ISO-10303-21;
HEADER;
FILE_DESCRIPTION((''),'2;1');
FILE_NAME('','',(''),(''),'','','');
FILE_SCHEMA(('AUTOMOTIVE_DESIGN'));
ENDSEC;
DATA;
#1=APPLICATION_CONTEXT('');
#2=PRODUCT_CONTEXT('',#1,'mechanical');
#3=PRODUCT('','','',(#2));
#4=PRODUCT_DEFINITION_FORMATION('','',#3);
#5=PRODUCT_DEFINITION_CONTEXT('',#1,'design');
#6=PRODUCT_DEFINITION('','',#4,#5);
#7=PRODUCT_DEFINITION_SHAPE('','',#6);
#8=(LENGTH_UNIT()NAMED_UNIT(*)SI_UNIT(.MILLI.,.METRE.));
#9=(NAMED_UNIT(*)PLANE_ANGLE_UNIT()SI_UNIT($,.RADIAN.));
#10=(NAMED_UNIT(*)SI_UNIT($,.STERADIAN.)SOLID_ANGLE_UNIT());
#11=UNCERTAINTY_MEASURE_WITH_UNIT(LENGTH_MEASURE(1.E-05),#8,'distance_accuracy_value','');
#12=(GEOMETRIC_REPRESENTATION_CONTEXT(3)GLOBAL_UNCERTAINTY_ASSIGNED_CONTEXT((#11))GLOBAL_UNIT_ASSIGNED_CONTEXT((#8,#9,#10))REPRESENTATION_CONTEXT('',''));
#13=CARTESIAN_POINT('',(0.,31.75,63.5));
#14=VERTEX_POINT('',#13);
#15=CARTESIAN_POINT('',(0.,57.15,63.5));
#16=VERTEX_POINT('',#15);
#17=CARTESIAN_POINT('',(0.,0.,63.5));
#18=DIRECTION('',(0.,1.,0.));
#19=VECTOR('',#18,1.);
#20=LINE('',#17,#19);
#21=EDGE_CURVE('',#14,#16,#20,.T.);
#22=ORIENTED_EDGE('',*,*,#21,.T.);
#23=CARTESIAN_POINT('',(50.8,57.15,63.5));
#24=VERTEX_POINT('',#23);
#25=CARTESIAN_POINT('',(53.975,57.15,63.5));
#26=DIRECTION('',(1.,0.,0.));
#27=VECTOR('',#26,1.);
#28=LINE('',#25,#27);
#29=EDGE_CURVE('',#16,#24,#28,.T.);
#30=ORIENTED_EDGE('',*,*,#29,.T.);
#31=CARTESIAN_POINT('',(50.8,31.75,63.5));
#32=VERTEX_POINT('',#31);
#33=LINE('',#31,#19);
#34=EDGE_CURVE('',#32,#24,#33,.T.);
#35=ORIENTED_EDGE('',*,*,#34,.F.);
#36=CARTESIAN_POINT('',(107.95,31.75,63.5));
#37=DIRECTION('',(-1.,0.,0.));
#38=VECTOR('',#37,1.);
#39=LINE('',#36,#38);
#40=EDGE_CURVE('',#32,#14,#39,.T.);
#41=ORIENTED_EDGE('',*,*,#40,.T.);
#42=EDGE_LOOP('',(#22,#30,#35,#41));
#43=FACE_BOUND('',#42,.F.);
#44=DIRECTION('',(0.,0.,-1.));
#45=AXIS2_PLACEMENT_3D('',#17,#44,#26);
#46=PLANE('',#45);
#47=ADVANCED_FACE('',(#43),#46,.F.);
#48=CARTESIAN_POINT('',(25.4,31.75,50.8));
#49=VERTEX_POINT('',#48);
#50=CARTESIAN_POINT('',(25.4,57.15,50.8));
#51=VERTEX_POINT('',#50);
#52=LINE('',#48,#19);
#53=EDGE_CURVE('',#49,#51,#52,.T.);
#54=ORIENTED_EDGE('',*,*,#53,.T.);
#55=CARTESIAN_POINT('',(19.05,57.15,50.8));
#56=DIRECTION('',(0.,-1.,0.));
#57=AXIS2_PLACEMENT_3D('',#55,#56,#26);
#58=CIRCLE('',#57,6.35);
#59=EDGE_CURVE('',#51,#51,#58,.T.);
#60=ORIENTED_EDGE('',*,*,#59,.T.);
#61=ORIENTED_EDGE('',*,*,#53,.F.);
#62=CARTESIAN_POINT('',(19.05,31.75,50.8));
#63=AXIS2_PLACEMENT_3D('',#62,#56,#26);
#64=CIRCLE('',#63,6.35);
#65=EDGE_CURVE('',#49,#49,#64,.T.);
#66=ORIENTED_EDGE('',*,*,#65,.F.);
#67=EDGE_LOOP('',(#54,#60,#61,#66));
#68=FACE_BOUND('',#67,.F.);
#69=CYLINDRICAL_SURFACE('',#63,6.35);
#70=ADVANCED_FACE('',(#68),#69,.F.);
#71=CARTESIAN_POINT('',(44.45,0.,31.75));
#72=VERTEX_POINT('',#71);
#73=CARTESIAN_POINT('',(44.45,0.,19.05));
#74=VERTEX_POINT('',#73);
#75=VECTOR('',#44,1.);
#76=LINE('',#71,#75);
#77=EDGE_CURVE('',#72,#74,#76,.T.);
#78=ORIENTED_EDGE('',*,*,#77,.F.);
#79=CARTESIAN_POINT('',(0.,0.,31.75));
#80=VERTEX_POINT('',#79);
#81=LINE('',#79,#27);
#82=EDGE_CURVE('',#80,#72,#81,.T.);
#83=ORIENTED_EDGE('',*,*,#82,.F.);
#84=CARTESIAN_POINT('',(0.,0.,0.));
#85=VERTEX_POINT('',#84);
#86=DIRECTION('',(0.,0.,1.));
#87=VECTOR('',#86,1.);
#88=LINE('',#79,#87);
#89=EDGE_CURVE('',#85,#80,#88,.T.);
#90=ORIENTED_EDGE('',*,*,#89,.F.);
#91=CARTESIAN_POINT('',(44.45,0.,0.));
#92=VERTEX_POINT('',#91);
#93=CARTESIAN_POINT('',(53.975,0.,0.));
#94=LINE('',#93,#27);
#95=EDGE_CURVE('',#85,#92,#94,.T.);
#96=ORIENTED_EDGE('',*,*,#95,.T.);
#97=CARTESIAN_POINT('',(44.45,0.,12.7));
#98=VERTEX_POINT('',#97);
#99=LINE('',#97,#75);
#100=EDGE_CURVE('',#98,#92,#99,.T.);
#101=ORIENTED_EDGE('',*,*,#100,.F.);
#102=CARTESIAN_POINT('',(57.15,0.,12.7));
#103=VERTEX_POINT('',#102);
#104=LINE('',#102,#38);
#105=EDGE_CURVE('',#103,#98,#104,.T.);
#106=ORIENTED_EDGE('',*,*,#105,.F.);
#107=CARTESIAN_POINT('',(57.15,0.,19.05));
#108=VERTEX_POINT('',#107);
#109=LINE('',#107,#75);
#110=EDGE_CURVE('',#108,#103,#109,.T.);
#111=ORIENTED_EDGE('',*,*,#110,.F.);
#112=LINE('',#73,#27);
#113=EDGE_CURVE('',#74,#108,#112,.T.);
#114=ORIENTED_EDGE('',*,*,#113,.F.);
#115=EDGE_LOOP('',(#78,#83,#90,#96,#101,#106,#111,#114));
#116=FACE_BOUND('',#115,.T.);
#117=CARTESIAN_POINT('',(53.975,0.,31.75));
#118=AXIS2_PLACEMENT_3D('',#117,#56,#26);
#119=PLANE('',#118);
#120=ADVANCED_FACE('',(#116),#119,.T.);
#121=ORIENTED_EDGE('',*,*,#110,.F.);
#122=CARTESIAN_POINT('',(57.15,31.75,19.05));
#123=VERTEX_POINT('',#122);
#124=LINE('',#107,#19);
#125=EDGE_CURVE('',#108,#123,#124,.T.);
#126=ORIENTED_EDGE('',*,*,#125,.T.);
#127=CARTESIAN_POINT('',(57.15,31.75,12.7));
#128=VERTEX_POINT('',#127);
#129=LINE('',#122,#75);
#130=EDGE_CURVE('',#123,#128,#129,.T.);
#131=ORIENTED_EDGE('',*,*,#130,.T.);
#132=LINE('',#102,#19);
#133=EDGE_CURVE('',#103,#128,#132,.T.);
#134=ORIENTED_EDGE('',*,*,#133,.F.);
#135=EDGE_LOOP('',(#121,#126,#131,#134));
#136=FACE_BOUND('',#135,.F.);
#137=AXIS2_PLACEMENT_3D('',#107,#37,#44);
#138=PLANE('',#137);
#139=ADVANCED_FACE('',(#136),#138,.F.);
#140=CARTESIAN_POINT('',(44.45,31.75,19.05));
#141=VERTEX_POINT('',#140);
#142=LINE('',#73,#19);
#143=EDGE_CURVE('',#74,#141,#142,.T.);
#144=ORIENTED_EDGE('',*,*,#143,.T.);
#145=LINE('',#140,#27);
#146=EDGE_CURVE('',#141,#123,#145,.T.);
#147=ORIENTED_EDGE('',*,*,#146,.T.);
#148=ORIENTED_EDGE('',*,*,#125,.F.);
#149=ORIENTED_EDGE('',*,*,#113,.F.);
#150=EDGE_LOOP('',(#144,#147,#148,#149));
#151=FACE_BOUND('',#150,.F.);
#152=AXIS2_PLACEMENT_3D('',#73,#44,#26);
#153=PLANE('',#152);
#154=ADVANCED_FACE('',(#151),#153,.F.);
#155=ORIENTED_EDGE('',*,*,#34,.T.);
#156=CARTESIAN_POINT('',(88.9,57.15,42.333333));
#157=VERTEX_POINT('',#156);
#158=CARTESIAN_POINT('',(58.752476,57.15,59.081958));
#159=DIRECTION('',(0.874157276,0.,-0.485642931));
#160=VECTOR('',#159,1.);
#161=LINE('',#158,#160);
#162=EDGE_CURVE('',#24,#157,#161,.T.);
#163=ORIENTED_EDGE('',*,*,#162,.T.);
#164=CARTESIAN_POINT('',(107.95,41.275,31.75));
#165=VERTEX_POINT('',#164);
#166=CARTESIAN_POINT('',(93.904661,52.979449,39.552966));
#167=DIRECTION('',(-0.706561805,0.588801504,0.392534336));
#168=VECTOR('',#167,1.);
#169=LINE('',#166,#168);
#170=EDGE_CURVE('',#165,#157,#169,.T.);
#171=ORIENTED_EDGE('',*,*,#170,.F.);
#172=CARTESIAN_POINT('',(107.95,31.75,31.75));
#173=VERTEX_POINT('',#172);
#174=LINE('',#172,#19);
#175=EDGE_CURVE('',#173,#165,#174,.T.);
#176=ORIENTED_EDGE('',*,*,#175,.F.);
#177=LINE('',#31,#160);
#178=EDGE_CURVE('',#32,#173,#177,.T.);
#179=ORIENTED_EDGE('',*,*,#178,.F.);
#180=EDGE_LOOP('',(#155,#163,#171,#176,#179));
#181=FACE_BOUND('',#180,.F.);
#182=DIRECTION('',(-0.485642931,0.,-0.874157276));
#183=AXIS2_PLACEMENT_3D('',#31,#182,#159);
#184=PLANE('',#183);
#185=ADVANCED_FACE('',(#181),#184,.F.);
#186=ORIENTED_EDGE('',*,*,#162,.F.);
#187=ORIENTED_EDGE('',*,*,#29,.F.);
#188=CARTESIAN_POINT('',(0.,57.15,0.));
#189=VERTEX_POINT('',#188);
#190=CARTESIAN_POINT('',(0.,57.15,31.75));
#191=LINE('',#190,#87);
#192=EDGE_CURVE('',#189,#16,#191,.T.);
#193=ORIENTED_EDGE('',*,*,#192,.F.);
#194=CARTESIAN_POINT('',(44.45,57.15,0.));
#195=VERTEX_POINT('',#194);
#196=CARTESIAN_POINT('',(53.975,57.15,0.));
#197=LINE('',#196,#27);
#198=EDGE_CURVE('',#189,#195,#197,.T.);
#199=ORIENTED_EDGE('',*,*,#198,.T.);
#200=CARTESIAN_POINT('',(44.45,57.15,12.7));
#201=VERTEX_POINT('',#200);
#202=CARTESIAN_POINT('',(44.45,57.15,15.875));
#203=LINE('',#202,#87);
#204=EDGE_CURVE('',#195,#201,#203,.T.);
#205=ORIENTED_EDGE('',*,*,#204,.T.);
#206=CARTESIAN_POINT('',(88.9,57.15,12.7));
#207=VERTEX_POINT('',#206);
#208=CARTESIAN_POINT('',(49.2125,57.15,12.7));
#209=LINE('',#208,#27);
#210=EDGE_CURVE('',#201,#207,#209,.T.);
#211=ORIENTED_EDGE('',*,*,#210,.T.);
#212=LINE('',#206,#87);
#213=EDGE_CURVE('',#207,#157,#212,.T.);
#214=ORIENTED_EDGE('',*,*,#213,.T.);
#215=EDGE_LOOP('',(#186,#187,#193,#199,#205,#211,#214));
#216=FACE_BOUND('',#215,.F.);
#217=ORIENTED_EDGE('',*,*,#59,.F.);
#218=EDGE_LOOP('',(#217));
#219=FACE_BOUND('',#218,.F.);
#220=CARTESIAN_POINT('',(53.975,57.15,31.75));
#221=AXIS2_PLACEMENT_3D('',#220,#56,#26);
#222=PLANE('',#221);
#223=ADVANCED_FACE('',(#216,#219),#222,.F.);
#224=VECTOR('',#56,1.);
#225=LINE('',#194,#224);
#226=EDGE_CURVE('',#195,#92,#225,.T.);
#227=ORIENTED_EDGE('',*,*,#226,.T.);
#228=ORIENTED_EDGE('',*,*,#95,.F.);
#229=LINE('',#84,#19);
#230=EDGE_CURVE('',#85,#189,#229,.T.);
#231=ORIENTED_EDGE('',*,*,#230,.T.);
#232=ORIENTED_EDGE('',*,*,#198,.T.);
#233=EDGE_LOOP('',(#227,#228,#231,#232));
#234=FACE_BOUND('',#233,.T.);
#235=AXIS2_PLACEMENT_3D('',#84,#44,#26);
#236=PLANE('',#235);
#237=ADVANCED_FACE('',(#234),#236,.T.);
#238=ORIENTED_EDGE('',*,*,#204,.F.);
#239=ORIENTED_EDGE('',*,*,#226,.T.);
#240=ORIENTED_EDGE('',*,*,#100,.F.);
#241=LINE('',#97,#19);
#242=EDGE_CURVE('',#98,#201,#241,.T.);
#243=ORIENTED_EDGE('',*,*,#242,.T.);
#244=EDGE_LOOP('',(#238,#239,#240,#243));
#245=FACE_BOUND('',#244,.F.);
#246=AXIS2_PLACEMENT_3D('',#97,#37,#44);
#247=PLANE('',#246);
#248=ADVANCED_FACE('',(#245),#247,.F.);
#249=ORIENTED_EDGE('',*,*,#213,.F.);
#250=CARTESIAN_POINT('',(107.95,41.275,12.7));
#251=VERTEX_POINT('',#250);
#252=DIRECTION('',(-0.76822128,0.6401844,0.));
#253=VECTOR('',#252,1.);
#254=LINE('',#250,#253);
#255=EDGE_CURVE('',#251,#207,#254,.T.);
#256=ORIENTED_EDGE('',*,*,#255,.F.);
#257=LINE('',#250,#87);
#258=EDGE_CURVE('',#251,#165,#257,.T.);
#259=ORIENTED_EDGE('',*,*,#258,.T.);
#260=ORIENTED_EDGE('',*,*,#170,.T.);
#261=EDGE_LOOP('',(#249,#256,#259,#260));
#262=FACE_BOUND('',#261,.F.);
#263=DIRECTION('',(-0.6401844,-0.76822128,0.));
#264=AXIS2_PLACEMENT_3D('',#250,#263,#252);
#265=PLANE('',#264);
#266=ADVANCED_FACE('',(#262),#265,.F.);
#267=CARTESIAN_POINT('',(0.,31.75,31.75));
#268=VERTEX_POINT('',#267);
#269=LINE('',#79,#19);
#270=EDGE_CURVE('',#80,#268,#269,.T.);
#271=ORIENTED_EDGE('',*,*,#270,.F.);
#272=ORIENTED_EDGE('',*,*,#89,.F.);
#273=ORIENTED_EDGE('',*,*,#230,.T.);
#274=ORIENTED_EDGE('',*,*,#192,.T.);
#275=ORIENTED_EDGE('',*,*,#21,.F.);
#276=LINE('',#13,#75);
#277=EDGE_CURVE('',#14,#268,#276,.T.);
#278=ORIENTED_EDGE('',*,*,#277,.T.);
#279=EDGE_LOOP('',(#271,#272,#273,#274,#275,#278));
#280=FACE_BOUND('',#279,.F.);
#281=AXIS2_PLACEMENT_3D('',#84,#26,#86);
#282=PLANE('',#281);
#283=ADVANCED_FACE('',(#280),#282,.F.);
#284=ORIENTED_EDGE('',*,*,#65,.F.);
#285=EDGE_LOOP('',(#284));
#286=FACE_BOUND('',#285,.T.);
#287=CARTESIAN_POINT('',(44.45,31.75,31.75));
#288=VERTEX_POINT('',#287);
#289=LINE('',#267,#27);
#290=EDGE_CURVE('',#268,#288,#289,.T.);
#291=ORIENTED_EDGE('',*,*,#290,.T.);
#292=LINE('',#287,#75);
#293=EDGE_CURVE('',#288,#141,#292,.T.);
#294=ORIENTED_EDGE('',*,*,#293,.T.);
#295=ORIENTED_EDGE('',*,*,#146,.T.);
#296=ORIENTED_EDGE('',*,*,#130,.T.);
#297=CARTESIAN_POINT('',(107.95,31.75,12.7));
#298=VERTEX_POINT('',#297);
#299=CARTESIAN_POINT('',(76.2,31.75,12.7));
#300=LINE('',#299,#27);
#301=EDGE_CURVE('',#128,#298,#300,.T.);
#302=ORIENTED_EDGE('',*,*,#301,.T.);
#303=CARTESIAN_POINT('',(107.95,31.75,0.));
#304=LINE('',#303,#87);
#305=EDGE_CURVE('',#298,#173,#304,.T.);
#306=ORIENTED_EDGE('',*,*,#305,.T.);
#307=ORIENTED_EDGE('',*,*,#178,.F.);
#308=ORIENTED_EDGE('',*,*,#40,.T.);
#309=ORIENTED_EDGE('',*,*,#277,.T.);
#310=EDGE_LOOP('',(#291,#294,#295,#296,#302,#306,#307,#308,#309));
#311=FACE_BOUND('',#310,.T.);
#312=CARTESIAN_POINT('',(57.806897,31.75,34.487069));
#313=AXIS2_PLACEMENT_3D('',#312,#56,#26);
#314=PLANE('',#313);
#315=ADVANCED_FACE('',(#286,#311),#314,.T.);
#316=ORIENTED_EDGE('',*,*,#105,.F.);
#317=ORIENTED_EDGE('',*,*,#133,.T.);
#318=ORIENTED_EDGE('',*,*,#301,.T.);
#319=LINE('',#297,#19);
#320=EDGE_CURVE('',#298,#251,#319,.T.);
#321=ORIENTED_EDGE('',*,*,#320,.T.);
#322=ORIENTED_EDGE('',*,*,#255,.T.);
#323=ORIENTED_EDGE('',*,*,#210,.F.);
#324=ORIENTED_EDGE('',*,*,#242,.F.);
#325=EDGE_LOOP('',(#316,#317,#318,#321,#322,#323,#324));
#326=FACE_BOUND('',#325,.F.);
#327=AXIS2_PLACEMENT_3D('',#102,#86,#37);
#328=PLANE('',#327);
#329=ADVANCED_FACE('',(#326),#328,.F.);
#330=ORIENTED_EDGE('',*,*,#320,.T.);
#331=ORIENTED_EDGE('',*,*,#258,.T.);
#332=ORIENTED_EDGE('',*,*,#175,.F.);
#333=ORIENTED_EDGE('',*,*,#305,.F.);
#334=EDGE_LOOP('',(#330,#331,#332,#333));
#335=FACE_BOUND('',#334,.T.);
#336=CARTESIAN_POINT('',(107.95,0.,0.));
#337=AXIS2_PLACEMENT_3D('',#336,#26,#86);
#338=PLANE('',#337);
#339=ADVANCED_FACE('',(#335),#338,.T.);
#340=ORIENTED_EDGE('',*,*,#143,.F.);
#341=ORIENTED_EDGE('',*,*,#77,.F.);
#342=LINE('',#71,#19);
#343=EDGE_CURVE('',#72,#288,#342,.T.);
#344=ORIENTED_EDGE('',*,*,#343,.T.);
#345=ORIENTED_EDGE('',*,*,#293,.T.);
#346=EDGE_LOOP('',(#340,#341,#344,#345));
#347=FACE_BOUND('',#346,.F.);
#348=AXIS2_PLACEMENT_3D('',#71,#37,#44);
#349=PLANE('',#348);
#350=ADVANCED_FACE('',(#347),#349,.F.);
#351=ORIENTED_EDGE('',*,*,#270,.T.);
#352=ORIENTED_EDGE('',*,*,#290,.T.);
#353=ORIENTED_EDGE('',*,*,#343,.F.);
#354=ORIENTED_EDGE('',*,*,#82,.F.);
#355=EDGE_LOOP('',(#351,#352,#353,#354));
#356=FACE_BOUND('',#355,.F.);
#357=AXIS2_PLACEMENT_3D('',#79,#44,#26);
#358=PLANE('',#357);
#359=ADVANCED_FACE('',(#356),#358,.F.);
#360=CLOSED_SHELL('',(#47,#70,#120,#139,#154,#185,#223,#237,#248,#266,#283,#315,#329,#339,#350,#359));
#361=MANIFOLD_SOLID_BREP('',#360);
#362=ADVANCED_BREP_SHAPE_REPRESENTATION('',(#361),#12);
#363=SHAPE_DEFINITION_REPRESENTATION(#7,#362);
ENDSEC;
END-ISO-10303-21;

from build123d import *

# Parameters (mm, degrees)
F0_W      = 107.95
F0_H      = 63.5
F1_DEPTH  = 57.15
F3_DEPTH  = 31.75
F4_W      = 63.5
F4_H      = 12.7
F5_DEPTH  = 25.401
F7_DEPTH  = 25.401
F9_DEPTH  = 25.401
F11_DEPTH = 50.801


with BuildPart() as f1:
    # F0 (on Front) → F1 (new body)
    with BuildSketch(Plane.XZ):
        with Locations((53.975, 31.75)):
            Rectangle(F0_W, F0_H)
    extrude(amount=-F1_DEPTH)

    # F2 (on face) → F3 (cut)
    with BuildSketch(Plane.XZ):
        Polygon((0, 63.5), (0, 31.75), (44.45, 31.75), (44.45, 19.05), (57.15, 19.05), (57.15, 12.7), (44.45, 12.7), (44.45, 0), (107.95, 0), (107.95, 63.5), align=None)
    extrude(amount=-F3_DEPTH, mode=Mode.SUBTRACT)

    # F4 (on face) → F5 (cut, through all)
    with BuildSketch(Plane.XZ.offset(-31.75)):
        with Locations((76.2, 6.35)):
            Rectangle(F4_W, F4_H)
    extrude(amount=-F5_DEPTH, mode=Mode.SUBTRACT)

    # F6 (on face) → F7 (cut, through all)
    with BuildSketch(Plane.XZ.offset(-31.75)):
        Polygon((50.8, 63.5), (107.95, 31.75), (107.95, 63.5), align=None)
    extrude(amount=-F7_DEPTH, mode=Mode.SUBTRACT)

    # F8 (on face) → F9 (cut, through all)
    with BuildSketch(Plane.XZ.offset(-31.75)):
        with BuildLine():
            ThreePointArc((12.7, 50.8), (19.05, 44.45), (25.4, 50.8))
            ThreePointArc((25.4, 50.8), (19.05, 57.15), (12.7, 50.8))
        make_face()
    extrude(amount=-F9_DEPTH, mode=Mode.SUBTRACT)

    # F10 (on face) → F11 (cut, through all)
    with BuildSketch(Plane(origin=(0, 0, 12.7), x_dir=(1, 0, 0), z_dir=(0, 0, -1))):
        Polygon((107.95, -57.15), (107.95, -41.275), (88.9, -57.15), align=None)
    extrude(amount=-F11_DEPTH, mode=Mode.SUBTRACT)


solid = f1.part
